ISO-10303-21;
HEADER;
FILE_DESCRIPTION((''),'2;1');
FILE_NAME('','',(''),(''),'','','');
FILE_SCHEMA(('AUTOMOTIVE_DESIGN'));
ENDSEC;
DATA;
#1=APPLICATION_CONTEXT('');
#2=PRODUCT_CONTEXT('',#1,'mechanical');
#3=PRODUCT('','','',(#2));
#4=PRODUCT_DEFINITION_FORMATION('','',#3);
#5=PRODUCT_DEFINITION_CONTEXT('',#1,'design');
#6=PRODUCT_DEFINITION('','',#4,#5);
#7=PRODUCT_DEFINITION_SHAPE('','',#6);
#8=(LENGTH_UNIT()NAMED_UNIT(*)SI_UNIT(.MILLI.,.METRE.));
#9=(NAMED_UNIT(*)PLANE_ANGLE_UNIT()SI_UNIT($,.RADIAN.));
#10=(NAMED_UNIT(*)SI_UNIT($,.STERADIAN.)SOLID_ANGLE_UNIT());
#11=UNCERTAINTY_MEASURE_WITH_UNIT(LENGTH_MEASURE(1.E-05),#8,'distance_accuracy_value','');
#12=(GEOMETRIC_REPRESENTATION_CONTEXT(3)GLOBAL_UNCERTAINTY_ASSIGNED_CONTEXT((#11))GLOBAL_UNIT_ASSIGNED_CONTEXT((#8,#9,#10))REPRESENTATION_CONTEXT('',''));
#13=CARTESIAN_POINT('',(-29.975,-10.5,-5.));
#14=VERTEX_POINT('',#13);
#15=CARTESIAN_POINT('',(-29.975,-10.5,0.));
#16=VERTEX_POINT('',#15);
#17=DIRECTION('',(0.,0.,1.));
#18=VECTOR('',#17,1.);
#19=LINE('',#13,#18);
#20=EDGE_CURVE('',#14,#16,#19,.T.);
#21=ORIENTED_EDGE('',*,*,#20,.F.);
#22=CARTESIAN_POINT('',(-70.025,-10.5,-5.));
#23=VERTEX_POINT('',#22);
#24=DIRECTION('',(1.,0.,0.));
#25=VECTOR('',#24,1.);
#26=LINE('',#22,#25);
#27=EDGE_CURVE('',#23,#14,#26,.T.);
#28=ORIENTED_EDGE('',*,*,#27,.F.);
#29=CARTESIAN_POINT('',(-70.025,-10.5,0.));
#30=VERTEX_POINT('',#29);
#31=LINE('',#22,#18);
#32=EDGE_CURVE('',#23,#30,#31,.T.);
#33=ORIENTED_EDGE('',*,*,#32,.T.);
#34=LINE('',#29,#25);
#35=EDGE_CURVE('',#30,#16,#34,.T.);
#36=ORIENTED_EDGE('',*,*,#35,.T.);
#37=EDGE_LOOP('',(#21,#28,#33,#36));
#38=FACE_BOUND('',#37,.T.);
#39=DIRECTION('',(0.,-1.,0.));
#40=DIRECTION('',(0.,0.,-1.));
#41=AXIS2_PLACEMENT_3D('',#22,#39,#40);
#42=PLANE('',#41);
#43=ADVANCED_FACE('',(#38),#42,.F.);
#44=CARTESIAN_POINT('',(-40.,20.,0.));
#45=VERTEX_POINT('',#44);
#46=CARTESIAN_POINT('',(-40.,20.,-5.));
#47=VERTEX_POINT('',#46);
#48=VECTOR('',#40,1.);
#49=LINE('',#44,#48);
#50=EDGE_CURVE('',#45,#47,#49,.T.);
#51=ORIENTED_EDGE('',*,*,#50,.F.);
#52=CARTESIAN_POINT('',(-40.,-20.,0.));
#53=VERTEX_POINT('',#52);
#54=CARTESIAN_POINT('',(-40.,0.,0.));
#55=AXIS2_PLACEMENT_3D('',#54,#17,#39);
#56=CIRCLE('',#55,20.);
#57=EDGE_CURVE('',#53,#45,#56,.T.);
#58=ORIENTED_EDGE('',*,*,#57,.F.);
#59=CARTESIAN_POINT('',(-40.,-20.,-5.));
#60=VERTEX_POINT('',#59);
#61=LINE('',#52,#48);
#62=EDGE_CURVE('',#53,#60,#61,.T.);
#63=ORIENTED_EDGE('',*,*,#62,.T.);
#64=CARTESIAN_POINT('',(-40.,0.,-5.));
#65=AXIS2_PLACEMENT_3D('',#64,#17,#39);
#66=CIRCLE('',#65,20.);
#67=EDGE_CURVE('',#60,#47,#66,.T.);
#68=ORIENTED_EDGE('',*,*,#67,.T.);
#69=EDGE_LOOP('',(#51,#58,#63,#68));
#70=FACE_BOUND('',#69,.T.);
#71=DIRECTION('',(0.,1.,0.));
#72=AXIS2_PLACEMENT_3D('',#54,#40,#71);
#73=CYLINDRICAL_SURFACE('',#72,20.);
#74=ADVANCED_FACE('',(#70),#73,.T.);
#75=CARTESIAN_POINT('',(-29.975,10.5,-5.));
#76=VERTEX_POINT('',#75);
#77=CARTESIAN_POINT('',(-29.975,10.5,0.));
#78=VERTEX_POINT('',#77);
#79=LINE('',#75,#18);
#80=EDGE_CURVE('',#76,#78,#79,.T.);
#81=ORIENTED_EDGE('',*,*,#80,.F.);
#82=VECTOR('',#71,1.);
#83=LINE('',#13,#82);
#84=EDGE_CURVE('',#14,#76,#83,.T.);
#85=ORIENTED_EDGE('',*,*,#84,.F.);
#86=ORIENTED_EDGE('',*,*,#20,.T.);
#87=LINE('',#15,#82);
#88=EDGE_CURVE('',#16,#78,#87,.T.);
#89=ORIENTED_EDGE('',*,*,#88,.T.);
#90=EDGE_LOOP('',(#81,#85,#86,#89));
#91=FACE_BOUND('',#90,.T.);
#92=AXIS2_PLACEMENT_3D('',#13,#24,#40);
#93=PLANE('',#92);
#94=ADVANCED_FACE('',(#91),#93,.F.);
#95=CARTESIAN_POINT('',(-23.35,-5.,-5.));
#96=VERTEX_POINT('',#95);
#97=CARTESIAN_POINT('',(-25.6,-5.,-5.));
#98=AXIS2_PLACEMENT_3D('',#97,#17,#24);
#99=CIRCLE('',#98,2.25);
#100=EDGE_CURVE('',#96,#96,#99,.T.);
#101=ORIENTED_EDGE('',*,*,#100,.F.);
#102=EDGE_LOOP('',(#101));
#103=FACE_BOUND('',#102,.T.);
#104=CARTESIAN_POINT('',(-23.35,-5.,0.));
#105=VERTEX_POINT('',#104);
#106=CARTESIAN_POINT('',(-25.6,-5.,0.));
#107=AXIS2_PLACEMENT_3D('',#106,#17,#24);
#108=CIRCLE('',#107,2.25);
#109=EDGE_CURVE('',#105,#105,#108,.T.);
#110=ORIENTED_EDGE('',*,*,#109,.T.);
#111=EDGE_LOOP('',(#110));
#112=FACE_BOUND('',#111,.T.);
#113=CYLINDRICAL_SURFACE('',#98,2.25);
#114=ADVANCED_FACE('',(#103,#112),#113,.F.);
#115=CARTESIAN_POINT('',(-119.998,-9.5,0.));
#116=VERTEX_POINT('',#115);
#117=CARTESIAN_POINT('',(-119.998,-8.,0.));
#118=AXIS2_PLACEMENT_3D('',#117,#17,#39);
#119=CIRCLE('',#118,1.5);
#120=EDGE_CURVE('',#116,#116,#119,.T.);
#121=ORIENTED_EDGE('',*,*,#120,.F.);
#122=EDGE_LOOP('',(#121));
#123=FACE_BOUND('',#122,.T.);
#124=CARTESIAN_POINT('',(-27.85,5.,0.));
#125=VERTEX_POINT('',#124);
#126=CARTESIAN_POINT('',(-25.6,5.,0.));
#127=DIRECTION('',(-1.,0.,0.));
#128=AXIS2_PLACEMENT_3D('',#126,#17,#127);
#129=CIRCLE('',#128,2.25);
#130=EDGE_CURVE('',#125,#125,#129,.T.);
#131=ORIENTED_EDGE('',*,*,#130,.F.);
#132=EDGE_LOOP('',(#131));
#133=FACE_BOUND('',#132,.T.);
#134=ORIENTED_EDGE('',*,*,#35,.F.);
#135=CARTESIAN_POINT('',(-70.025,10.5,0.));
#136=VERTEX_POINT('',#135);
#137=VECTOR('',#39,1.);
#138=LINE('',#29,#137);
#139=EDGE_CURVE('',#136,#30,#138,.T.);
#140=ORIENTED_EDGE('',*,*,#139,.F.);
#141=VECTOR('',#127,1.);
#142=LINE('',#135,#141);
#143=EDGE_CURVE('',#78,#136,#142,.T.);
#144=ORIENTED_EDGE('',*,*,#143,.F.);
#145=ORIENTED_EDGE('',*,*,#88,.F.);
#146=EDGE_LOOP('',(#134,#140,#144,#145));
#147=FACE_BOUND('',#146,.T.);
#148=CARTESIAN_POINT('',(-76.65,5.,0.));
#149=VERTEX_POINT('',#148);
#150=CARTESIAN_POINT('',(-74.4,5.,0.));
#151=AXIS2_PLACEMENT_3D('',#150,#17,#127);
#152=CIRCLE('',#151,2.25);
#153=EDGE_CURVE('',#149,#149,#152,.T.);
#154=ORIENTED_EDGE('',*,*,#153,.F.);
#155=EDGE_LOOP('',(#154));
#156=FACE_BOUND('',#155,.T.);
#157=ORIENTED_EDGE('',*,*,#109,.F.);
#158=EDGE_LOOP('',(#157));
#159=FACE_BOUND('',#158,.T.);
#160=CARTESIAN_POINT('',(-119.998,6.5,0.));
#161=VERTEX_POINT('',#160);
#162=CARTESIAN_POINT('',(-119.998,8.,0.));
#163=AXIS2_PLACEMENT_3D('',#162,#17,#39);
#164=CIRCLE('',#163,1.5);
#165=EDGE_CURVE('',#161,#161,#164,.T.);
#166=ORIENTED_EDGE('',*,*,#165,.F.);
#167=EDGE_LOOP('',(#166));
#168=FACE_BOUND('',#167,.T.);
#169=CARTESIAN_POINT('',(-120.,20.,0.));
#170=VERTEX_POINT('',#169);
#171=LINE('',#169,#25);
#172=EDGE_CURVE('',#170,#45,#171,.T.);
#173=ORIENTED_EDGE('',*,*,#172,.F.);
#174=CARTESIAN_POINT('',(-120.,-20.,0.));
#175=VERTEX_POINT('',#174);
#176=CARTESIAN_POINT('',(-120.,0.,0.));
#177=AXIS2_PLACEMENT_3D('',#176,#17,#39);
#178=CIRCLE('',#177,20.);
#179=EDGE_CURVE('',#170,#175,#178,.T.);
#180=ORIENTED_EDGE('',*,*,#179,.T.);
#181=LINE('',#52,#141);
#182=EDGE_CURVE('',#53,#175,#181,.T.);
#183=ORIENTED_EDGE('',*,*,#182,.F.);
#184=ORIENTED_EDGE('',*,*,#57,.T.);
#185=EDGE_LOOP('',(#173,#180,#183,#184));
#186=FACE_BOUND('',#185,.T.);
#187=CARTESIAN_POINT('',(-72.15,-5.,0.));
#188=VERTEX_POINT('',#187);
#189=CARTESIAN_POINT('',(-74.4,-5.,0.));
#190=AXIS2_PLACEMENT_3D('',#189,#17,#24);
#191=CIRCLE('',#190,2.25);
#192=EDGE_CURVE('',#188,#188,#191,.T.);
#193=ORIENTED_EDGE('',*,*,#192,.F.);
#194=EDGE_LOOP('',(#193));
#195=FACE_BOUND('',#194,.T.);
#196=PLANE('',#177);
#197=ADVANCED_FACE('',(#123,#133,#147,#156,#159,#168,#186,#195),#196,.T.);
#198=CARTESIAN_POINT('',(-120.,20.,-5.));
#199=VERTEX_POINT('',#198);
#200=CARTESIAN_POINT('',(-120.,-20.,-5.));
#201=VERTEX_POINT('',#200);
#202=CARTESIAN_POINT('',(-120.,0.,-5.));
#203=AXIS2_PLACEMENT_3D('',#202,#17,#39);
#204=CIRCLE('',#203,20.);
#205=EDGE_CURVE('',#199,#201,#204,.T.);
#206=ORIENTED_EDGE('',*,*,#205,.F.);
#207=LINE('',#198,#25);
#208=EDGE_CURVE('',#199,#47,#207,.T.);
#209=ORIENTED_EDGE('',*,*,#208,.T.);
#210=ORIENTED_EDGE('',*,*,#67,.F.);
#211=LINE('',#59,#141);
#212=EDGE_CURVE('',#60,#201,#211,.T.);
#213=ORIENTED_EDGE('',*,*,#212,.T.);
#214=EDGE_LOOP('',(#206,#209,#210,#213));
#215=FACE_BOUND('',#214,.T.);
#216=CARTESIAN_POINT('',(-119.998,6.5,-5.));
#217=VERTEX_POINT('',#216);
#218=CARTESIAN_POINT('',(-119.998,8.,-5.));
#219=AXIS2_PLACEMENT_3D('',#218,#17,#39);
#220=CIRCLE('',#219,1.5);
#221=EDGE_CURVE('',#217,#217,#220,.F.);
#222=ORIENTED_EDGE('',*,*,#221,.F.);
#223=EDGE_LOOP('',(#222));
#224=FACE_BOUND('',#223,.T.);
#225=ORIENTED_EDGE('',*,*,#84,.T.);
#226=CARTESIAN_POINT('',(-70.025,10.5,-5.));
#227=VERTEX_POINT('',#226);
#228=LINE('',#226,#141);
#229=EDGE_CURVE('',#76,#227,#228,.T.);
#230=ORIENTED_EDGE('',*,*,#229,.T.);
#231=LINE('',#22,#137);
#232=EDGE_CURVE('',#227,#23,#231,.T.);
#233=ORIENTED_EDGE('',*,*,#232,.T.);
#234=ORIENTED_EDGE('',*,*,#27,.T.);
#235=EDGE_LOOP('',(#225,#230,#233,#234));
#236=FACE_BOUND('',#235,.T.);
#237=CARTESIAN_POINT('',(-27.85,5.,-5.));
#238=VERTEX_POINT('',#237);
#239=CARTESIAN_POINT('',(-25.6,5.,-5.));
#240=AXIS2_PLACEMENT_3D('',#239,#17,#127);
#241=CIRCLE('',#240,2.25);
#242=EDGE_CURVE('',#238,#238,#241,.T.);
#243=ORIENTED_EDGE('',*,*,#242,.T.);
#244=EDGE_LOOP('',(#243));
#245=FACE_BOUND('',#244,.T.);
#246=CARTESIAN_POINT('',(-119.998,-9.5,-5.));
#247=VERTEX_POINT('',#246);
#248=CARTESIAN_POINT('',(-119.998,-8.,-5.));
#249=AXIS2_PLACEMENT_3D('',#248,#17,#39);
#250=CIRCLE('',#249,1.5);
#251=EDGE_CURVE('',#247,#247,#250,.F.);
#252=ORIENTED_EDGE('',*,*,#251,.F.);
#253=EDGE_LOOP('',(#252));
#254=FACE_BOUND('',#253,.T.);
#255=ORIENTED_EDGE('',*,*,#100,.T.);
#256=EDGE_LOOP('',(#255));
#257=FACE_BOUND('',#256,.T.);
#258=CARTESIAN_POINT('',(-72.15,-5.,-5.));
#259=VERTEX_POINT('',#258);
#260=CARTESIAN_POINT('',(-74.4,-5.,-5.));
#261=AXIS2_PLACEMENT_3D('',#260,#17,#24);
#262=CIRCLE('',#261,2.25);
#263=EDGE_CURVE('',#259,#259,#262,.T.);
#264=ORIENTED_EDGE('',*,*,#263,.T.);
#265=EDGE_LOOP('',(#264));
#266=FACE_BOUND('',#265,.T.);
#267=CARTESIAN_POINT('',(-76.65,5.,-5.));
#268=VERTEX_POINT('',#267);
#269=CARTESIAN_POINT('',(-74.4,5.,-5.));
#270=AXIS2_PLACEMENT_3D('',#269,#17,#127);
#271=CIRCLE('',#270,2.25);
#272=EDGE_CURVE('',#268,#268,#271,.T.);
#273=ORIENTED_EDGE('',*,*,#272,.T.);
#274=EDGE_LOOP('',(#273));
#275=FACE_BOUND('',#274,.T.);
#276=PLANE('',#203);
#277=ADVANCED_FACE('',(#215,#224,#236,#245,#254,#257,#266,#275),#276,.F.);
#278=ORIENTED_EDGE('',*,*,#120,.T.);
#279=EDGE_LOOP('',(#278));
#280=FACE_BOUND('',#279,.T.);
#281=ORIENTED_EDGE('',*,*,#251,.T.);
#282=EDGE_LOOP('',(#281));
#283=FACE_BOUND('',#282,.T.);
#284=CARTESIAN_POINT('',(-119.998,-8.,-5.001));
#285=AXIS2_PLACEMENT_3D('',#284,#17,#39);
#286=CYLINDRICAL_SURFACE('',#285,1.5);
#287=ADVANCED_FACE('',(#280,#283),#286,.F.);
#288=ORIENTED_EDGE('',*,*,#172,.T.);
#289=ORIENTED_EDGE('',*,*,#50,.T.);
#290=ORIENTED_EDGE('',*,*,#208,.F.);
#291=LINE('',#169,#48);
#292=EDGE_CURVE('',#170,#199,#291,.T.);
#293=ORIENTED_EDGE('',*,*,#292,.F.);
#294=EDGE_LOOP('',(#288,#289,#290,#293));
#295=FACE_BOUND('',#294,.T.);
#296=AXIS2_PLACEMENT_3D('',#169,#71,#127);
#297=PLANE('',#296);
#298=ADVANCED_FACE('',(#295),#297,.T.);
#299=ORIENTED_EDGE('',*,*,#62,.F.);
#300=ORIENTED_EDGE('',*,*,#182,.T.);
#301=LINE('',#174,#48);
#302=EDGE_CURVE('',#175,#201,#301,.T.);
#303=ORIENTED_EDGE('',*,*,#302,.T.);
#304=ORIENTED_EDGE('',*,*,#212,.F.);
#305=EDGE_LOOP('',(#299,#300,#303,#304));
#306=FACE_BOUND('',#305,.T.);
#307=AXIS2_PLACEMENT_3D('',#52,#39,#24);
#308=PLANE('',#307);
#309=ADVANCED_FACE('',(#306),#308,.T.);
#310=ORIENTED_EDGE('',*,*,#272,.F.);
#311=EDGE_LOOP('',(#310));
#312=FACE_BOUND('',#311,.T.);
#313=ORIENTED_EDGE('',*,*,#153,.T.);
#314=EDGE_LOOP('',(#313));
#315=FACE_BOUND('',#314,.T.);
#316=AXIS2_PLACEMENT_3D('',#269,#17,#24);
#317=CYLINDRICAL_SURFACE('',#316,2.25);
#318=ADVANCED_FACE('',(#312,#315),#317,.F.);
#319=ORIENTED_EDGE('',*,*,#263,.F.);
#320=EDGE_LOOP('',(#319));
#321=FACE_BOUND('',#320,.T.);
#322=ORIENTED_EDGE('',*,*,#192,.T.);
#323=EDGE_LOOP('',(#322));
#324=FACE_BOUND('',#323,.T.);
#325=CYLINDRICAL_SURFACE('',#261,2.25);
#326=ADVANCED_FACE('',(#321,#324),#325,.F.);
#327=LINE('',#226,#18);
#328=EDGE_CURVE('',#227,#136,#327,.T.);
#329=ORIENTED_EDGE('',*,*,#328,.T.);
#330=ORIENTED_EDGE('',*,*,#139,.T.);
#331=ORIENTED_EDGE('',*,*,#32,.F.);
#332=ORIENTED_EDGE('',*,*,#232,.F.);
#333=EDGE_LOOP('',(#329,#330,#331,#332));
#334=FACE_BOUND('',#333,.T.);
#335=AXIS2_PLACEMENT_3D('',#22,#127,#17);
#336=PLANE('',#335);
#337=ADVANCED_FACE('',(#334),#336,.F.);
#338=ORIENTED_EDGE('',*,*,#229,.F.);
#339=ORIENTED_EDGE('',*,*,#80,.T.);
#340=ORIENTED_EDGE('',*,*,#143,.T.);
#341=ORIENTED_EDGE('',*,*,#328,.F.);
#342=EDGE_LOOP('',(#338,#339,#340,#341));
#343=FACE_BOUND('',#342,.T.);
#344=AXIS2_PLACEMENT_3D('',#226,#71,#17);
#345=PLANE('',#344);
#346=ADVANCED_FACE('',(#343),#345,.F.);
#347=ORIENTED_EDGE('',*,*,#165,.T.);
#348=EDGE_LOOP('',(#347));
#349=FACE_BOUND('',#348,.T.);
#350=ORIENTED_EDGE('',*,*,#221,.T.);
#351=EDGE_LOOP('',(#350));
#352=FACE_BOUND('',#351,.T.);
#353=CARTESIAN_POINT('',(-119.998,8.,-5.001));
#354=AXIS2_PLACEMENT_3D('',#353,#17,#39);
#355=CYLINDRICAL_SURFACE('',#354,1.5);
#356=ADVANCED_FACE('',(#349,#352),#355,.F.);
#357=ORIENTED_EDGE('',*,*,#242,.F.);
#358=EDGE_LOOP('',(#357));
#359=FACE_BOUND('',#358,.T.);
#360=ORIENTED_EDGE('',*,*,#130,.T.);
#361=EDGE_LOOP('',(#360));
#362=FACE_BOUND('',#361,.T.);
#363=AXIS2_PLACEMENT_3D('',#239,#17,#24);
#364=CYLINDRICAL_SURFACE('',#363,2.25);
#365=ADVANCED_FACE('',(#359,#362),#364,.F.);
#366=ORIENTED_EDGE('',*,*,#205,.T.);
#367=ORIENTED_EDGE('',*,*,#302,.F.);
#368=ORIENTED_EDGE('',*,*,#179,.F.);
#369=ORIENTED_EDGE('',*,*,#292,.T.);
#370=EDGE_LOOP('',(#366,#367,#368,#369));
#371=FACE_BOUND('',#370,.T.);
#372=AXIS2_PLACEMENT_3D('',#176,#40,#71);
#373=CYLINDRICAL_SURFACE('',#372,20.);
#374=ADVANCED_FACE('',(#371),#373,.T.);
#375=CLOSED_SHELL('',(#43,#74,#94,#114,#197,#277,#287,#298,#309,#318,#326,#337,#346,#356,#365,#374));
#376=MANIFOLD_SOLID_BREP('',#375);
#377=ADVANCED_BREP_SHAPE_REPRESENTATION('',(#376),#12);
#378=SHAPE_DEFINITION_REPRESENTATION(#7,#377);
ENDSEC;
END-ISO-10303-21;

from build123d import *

# Parameters (mm, degrees)
BOSS_EXTRUDE1_DEPTH   = 5
CUT_EXTRUDE1_REACH    = 104.103
SKETCH2_R             = 1.5
BODY_MOVE_COPY1_ANGLE = 90
SKETCH19_R            = 2.25
SKETCH19_W            = 40.05
SKETCH19_H            = 21
CUT_EXTRUDE9_DEPTH    = 103.102889283


with BuildPart() as part:
    # Sketch1 → Boss-Extrude1 (new body)
    with BuildSketch(Plane(origin=(0, 0, 0), x_dir=(1, 0, 0), z_dir=(0, 1, 0))):
        with BuildLine():
            Line((80, -20), (0, -20))
            ThreePointArc((0, -20), (-20, 0), (0, 20))
            Line((0, 20), (80, 20))
            ThreePointArc((80, 20), (100, 0), (80, -20))
        make_face()
    extrude(amount=BOSS_EXTRUDE1_DEPTH)

    # Sketch2 → Cut-Extrude1 (cut, up to next)
    with BuildSketch(Plane(origin=(0, 5, 0), x_dir=(1, 0, 0), z_dir=(0, 1, 0)), mode=Mode.PRIVATE) as cut_extrude1_sk1:
        with Locations(Location((0.002, 7.999999875, 0), (0, 0, 270))):
            Circle(SKETCH2_R)
    cut_extrude1_tool1 = extrude(cut_extrude1_sk1.sketch, amount=-CUT_EXTRUDE1_REACH, mode=Mode.PRIVATE) & part.part
    # Sketch2 → Cut-Extrude1 (cut, up to next)
    with BuildSketch(Plane(origin=(0, 5, 0), x_dir=(1, 0, 0), z_dir=(0, 1, 0)), mode=Mode.PRIVATE) as cut_extrude1_sk2:
        with Locations(Location((0.002, -8.00000025, 0), (0, 0, 270))):
            Circle(SKETCH2_R)
    cut_extrude1_tool2 = extrude(cut_extrude1_sk2.sketch, amount=-CUT_EXTRUDE1_REACH, mode=Mode.PRIVATE) & part.part
    add(cut_extrude1_tool1.solids().sort_by_distance((0.002, 5, -8))[0], mode=Mode.SUBTRACT)
    add(cut_extrude1_tool2.solids().sort_by_distance((0.002, 5, 8))[0], mode=Mode.SUBTRACT)


with BuildPart() as part_1:
    # Body-Move/Copy1: moved
    add(part.part.rotate(Axis((0, 0, 0), (1, 0, 0)), BODY_MOVE_COPY1_ANGLE))

    # Sketch19 → Cut-Extrude9 (cut, through all)
    with BuildSketch(Plane.XY.offset(5)):
        with Locations((94.4, -5)):
            Circle(SKETCH19_R)
        with Locations(Location((94.4, 5, 0), (0, 0, 180))):
            Circle(SKETCH19_R)
        with Locations(Location((45.6, 5, 0), (0, 0, 180))):
            Circle(SKETCH19_R)
        with Locations((45.6, -5)):
            Circle(SKETCH19_R)
        with Locations((70, 0)):
            Rectangle(SKETCH19_W, SKETCH19_H)
    extrude(amount=-CUT_EXTRUDE9_DEPTH, mode=Mode.SUBTRACT)


with BuildPart() as part_2:
    # Body-Move/Copy5: moved
    add(part_1.part.moved(Location((-120, 0, 0))))


with BuildPart() as part_3:
    # Body-Move/Copy6: moved
    add(part_2.part.moved(Location((0, 0, -5))))


solid = part_3.part
